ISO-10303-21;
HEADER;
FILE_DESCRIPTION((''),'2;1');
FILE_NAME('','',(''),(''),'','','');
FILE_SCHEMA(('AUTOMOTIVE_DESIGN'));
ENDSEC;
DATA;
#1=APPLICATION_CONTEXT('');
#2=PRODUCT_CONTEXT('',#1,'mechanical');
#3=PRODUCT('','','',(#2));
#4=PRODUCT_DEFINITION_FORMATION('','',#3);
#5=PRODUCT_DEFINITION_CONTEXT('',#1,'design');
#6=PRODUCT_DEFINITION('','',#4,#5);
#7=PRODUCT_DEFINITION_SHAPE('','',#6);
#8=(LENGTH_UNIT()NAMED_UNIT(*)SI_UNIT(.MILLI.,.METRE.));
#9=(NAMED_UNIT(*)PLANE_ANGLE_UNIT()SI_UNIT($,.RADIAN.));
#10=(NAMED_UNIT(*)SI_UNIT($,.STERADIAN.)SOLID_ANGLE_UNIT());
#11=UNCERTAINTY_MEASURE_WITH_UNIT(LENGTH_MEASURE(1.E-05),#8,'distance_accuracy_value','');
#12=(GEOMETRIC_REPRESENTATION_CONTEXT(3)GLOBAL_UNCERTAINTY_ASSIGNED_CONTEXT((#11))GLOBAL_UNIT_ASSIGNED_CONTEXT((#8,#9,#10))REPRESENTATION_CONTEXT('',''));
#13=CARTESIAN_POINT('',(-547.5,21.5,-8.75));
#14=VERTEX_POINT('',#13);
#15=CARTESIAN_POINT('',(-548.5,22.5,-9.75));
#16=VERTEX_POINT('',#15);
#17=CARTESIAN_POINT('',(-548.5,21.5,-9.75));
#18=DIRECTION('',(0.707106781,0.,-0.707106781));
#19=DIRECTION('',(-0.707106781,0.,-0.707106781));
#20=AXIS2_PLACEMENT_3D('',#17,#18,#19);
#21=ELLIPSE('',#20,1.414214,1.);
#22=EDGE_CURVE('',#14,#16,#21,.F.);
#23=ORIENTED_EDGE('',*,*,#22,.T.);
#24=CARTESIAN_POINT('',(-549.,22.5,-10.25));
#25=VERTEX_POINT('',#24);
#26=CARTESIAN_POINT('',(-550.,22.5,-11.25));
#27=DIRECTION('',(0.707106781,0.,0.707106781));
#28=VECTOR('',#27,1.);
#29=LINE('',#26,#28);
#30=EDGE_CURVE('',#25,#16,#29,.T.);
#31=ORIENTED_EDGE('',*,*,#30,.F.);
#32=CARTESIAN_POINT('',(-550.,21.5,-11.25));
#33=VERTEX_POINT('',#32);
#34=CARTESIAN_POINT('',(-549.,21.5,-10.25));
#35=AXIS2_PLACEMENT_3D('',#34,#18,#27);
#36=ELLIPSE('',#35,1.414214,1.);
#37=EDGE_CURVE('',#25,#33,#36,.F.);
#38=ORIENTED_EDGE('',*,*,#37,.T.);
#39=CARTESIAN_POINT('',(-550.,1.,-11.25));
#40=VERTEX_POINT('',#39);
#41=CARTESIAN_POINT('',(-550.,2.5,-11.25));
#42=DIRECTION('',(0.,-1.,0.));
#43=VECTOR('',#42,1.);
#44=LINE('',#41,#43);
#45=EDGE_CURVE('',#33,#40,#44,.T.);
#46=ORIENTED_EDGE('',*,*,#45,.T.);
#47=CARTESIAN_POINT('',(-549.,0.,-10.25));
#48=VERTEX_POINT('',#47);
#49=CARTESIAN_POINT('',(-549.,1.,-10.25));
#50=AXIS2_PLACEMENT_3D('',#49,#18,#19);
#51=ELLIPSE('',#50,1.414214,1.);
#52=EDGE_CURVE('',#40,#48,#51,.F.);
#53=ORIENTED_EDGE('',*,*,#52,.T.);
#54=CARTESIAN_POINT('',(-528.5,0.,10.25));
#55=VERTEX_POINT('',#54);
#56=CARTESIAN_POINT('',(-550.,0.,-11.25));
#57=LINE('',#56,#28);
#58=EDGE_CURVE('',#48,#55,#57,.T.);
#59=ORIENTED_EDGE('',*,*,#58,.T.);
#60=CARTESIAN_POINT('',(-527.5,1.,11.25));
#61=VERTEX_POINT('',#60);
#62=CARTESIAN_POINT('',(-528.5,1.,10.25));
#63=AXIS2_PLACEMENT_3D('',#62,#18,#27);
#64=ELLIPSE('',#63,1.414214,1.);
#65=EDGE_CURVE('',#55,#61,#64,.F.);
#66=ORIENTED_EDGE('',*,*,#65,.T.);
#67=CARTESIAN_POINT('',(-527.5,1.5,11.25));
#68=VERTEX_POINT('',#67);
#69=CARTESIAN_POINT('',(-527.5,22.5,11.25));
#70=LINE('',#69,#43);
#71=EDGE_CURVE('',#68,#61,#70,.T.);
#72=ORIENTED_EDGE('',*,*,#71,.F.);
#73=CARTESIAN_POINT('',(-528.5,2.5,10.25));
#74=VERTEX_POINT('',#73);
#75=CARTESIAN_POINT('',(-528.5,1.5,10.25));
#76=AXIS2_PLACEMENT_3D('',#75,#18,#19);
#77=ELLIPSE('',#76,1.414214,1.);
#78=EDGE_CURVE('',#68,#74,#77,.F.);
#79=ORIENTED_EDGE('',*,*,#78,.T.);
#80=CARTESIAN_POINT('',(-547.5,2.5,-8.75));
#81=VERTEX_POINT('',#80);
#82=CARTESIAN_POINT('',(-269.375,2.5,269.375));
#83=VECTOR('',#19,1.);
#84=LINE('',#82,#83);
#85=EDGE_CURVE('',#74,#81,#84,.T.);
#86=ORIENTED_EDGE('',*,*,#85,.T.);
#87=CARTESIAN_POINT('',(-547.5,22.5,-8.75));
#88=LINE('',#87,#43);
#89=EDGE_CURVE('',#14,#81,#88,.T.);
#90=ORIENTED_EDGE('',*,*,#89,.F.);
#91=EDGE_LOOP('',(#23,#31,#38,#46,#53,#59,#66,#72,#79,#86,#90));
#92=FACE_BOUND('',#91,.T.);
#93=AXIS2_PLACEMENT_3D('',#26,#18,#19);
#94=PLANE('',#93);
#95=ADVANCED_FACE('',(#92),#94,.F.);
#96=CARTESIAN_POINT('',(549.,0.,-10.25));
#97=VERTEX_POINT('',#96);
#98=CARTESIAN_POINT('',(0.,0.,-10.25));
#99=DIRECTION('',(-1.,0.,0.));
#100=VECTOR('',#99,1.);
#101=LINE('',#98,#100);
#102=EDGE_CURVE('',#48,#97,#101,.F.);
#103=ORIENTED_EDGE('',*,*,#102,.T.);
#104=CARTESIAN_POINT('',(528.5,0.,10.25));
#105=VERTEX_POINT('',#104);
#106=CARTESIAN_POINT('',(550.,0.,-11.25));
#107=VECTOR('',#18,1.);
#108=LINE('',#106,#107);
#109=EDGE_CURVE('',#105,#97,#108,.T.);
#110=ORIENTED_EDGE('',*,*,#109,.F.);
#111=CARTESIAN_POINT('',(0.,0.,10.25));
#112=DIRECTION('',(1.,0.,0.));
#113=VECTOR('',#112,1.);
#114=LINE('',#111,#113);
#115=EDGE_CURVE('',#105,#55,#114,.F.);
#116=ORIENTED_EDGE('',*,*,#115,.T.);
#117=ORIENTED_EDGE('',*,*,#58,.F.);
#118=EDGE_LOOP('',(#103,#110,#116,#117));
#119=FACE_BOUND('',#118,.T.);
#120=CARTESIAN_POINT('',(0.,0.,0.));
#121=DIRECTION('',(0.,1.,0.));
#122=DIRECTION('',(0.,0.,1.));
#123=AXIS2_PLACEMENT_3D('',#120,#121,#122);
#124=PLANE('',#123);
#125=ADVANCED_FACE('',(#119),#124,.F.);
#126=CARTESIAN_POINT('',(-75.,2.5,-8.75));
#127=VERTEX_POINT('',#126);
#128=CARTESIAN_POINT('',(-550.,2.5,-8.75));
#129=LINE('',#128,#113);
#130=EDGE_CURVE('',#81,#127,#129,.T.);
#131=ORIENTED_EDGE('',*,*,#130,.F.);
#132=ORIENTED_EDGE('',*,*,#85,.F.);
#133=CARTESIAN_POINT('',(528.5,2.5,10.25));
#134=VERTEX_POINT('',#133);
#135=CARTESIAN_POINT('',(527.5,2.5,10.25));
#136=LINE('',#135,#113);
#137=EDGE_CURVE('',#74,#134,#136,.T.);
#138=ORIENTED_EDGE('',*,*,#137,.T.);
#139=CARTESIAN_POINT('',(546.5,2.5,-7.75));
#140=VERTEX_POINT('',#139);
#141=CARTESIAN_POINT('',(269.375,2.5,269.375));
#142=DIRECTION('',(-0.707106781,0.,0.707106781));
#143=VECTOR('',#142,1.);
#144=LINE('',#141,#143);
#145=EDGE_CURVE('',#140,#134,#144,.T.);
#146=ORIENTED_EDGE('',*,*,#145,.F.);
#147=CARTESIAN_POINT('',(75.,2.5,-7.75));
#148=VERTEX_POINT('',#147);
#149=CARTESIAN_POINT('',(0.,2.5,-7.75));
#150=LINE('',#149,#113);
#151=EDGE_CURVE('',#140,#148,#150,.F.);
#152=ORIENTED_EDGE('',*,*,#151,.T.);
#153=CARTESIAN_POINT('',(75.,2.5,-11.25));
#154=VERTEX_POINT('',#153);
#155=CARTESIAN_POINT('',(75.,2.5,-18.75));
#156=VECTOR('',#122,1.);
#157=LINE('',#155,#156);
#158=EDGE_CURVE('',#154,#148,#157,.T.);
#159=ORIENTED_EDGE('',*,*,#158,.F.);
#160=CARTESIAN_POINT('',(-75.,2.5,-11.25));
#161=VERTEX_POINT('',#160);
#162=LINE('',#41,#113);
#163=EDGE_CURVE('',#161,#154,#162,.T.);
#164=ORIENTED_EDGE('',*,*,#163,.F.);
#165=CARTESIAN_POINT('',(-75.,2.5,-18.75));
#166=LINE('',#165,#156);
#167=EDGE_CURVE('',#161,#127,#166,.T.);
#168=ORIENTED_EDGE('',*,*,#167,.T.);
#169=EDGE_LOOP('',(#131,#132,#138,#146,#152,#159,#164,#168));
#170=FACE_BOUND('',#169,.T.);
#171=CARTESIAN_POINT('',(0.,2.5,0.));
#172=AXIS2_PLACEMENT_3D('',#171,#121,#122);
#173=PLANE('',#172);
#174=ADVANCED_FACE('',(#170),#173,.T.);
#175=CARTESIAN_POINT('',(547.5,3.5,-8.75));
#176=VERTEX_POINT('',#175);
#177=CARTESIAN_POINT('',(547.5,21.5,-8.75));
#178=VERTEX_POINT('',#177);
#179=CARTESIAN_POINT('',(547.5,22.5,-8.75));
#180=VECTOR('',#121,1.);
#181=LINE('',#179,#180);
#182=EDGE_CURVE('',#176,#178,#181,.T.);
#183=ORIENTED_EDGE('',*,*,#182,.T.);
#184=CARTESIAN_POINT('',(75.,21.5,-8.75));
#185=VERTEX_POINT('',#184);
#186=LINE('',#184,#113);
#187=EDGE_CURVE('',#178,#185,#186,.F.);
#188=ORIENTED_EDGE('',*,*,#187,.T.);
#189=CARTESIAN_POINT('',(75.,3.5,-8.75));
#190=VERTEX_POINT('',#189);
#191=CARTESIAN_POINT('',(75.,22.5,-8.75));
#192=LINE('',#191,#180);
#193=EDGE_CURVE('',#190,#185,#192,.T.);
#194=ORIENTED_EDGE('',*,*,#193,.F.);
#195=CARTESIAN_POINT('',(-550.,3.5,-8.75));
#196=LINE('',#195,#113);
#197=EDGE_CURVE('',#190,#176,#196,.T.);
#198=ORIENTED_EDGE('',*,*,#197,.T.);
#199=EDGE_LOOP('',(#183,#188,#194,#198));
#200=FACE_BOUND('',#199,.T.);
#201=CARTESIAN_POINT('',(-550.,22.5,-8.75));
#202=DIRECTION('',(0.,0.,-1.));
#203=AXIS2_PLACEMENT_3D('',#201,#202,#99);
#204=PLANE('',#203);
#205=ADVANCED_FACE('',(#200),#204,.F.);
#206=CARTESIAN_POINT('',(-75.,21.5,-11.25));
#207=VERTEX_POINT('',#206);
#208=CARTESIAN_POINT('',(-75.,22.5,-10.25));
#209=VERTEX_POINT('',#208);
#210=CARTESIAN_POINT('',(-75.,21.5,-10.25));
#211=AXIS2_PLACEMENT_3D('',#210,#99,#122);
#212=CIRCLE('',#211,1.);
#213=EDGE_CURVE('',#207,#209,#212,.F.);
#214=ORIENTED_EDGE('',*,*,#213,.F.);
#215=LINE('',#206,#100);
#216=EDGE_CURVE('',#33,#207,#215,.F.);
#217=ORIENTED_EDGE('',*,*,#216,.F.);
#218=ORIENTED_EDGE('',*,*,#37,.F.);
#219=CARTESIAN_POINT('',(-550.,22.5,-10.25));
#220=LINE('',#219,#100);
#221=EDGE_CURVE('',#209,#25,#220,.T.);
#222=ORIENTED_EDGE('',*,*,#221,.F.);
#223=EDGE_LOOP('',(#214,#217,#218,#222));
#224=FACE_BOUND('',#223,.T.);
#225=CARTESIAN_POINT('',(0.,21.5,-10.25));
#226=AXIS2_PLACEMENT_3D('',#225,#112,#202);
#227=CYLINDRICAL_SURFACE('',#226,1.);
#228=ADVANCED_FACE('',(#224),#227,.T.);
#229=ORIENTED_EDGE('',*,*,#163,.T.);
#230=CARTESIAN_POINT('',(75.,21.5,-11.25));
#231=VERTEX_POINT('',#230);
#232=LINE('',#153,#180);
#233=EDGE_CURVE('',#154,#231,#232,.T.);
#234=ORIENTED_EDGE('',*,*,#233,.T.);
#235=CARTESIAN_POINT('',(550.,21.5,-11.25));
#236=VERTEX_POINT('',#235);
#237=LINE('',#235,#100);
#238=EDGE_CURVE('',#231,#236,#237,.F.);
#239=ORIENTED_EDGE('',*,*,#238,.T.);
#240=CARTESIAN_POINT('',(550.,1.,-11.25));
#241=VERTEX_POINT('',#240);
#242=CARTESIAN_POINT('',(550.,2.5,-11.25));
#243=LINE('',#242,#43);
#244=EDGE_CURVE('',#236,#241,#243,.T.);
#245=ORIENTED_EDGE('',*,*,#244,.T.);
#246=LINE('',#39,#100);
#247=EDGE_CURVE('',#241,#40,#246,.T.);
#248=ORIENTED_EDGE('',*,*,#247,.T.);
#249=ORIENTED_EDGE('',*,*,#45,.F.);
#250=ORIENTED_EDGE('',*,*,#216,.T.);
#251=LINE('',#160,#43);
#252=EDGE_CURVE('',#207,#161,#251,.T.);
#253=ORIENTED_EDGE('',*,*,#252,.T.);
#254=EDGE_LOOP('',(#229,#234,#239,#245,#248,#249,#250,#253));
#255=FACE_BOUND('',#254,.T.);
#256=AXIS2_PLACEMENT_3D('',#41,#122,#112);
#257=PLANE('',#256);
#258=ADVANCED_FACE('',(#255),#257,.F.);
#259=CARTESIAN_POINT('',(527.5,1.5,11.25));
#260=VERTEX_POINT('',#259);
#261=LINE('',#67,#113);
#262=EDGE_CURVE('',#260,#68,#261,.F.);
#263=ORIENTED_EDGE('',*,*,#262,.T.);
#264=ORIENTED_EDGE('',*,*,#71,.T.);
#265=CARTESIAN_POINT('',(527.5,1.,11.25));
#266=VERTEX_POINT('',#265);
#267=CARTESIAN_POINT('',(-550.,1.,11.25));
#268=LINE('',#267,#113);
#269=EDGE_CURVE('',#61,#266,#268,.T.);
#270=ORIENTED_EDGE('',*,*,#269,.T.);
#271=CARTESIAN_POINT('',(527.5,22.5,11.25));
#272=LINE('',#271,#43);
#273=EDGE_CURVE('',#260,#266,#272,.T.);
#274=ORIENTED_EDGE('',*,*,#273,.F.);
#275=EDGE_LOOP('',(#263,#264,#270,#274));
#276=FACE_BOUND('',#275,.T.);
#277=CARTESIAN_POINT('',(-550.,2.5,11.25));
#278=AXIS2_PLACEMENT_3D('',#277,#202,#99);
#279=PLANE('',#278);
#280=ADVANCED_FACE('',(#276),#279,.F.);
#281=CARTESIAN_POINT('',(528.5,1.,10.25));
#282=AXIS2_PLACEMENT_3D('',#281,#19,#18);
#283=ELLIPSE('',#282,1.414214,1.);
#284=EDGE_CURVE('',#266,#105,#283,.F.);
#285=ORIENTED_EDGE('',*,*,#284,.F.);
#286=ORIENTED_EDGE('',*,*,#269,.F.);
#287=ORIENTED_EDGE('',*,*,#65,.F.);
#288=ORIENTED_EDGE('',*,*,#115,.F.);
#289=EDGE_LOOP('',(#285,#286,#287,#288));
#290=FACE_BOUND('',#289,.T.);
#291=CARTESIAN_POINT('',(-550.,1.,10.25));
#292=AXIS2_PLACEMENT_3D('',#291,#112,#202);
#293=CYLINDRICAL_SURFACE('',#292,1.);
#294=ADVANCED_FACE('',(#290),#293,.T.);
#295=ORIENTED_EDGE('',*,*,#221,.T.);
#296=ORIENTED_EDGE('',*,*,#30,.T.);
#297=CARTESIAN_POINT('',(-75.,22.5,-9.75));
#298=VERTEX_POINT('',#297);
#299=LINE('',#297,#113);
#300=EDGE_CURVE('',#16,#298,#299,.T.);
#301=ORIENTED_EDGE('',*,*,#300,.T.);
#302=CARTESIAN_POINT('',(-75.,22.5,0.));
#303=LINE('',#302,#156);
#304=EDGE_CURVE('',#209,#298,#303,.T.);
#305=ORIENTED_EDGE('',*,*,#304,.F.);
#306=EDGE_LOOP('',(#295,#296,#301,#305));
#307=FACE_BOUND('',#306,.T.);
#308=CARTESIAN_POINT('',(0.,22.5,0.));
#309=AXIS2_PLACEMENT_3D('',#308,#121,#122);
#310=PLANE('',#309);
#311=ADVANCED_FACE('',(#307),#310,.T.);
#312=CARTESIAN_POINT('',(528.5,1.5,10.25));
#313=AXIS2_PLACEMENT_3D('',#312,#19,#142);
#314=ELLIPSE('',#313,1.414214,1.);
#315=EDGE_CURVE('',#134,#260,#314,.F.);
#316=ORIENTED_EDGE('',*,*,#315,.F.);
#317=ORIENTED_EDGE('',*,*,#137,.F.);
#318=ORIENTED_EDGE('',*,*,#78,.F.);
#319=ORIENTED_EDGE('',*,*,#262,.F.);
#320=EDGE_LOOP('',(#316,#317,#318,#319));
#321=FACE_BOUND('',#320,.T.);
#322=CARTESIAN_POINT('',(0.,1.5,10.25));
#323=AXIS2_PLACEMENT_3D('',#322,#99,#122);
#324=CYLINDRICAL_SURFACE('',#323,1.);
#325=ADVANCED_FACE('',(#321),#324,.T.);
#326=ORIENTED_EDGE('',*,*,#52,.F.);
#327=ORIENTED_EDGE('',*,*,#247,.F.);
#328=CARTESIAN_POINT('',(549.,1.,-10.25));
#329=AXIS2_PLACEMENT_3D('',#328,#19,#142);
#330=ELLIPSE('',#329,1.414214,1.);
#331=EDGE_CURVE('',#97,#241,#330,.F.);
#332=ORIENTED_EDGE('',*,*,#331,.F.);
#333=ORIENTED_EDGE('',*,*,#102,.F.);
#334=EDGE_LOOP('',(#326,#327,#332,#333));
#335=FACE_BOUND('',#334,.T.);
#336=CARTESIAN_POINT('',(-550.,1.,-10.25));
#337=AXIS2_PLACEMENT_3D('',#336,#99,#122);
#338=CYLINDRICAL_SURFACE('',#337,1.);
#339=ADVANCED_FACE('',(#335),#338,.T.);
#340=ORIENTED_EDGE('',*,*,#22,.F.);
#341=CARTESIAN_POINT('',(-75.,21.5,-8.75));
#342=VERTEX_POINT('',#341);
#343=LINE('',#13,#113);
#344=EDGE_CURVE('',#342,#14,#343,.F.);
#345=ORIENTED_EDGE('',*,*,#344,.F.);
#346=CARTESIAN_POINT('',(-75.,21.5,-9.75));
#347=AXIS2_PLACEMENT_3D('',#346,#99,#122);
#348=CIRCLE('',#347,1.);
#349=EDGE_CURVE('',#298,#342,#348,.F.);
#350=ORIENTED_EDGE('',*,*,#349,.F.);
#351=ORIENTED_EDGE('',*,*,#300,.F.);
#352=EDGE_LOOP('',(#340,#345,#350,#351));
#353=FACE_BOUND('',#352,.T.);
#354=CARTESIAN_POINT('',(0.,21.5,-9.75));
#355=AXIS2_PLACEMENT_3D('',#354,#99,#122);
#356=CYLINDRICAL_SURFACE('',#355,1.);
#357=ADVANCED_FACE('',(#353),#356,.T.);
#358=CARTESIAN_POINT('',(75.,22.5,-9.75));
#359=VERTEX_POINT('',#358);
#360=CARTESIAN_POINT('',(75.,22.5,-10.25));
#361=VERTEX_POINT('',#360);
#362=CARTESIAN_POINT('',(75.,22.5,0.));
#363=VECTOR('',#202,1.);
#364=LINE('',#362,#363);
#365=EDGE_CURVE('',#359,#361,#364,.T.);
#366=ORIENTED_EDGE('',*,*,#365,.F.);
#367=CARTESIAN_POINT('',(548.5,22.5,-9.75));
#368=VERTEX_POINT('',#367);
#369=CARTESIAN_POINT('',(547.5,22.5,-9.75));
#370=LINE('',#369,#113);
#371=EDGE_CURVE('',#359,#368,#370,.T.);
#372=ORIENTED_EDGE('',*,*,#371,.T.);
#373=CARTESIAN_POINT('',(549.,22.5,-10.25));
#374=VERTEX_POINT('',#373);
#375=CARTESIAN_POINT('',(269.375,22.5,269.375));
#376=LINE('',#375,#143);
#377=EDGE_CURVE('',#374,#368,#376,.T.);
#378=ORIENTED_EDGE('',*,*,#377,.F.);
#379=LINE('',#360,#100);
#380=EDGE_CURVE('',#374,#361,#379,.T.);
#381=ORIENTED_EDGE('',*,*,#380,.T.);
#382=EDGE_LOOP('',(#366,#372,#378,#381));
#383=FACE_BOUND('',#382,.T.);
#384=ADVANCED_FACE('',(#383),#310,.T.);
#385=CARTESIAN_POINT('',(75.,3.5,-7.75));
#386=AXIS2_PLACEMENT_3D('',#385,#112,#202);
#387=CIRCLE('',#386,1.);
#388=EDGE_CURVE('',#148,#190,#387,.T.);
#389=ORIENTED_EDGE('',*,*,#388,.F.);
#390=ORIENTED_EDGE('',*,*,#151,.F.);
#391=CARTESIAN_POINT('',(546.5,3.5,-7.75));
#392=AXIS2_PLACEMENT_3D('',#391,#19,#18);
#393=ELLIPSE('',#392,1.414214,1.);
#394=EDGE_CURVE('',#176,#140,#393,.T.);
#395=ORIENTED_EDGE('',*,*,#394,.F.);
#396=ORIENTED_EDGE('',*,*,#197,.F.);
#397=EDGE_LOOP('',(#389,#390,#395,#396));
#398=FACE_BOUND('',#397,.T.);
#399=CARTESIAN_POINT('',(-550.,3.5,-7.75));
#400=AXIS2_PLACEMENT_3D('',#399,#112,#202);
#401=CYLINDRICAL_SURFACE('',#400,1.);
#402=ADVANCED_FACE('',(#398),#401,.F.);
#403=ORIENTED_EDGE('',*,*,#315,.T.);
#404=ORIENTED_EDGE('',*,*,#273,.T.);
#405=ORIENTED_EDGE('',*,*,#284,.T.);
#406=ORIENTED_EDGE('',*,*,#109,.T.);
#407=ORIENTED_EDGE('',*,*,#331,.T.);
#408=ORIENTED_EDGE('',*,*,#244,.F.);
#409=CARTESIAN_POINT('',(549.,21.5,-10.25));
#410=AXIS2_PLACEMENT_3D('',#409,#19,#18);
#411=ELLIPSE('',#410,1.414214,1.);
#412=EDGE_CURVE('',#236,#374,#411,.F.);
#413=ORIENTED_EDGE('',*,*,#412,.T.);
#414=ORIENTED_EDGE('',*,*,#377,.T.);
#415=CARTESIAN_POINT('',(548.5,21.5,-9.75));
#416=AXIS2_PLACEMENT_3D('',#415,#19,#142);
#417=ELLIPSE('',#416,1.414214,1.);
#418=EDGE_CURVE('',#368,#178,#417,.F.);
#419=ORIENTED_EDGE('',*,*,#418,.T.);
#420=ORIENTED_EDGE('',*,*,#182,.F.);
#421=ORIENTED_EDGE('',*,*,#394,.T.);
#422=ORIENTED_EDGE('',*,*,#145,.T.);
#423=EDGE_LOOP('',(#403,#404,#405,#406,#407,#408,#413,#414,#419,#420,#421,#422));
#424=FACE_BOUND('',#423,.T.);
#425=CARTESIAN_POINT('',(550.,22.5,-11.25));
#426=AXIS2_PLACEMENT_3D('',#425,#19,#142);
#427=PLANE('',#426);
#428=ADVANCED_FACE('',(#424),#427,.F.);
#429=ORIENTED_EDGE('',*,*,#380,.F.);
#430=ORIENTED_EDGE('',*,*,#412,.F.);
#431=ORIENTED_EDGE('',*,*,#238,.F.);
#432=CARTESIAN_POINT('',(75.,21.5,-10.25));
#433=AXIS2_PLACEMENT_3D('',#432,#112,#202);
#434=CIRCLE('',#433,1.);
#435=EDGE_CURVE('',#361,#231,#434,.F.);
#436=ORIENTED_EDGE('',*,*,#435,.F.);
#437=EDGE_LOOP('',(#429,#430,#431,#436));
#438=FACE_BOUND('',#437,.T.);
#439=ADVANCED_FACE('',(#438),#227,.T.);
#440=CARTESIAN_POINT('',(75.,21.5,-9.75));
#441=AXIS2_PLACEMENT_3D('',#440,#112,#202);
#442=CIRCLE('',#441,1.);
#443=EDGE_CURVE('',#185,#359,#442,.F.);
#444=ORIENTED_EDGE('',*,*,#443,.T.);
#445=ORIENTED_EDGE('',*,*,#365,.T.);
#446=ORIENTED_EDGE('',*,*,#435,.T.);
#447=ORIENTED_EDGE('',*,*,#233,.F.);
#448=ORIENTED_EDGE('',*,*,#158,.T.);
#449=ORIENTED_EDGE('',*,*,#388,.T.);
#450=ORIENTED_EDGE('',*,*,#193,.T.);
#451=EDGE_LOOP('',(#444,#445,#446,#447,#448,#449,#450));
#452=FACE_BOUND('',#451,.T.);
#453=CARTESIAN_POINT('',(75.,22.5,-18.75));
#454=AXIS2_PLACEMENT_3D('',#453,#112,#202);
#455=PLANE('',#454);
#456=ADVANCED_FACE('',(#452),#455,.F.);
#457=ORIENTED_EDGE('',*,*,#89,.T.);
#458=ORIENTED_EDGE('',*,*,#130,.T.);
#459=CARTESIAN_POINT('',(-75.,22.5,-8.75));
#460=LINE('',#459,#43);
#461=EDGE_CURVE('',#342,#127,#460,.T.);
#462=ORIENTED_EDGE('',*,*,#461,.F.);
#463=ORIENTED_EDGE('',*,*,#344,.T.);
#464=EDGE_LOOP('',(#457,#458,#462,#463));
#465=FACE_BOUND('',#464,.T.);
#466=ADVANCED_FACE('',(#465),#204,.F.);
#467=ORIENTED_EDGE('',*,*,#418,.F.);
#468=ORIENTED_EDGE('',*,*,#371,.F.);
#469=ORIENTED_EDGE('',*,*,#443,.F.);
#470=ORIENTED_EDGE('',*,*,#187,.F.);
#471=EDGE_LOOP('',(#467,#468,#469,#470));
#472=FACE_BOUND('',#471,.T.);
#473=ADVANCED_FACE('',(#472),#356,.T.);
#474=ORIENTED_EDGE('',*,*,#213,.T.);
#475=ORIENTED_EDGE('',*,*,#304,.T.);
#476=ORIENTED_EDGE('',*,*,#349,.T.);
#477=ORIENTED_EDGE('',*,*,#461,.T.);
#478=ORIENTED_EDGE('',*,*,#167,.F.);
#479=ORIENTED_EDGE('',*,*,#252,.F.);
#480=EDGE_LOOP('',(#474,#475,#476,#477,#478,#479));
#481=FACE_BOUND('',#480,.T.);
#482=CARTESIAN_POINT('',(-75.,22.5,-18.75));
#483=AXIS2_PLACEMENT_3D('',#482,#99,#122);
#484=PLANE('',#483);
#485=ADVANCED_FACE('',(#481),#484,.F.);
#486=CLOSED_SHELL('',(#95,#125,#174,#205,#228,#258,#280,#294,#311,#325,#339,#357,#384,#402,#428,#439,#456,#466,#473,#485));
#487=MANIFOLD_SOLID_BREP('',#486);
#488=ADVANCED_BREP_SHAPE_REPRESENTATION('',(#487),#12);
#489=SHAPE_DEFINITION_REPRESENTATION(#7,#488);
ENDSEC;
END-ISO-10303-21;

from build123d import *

# Parameters (mm, degrees)
SKETCH1_W           = 1100
SKETCH1_H           = 22.5
BOSS_EXTRUDE1_DEPTH = 2.5
SKETCH2_W           = 1100
SKETCH2_H           = 2.5
BOSS_EXTRUDE2_DEPTH = 20
SKETCH3_W           = 150
SKETCH3_H           = 20
CUT_EXTRUDE1_DEPTH  = 10
CUT_EXTRUDE2_DEPTH  = 551.57498354
FILLET1_R           = 1


with BuildPart() as part:
    # Sketch1 → Boss-Extrude1 (new body)
    with BuildSketch(Plane(origin=(0, 0, 0), x_dir=(1, 0, 0), z_dir=(0, 1, 0))):
        Rectangle(SKETCH1_W, SKETCH1_H)
    extrude(amount=BOSS_EXTRUDE1_DEPTH)

    # Sketch2 → Boss-Extrude2 (add)
    with BuildSketch(Plane(origin=(0, 2.5, 0), x_dir=(1, 0, 0), z_dir=(0, 1, 0))):
        with Locations((0, 10)):
            Rectangle(SKETCH2_W, SKETCH2_H)
    extrude(amount=BOSS_EXTRUDE2_DEPTH)

    # Sketch3 → Cut-Extrude1 (cut)
    with BuildSketch(Plane.XY.offset(-8.75)):
        with Locations((0, 12.5)):
            Rectangle(SKETCH3_W, SKETCH3_H)
    extrude(amount=-CUT_EXTRUDE1_DEPTH, mode=Mode.SUBTRACT)

    # Sketch4 → Cut-Extrude2 (cut, through all)
    with BuildSketch(Plane(origin=(0, 0, 0), x_dir=(-1, 0, 0), z_dir=(0, -1, 0))):
        Polygon((-550, 11.25), (-527.5, -11.25), (-550, -11.25), align=None)
        Polygon((550, -11.25), (550, 11.25), (527.5, -11.25), align=None)
    extrude(amount=-CUT_EXTRUDE2_DEPTH, mode=Mode.SUBTRACT)

    # Fillet1
    fillet1_edges = [part.edges().sort_by_distance(p)[0] for p in [
        (312.5, 22.5, -11.25),
        (311.25, 22.5, -8.75),
        (-312.5, 22.5, -11.25),
        (311.25, 2.5, -8.75),
        (0, 0, -11.25),
        (0, 0, 11.25),
        (0, 2.5, 11.25),
        (-311.25, 22.5, -8.75),
    ]]
    fillet(fillet1_edges, radius=FILLET1_R)


solid = part.part
